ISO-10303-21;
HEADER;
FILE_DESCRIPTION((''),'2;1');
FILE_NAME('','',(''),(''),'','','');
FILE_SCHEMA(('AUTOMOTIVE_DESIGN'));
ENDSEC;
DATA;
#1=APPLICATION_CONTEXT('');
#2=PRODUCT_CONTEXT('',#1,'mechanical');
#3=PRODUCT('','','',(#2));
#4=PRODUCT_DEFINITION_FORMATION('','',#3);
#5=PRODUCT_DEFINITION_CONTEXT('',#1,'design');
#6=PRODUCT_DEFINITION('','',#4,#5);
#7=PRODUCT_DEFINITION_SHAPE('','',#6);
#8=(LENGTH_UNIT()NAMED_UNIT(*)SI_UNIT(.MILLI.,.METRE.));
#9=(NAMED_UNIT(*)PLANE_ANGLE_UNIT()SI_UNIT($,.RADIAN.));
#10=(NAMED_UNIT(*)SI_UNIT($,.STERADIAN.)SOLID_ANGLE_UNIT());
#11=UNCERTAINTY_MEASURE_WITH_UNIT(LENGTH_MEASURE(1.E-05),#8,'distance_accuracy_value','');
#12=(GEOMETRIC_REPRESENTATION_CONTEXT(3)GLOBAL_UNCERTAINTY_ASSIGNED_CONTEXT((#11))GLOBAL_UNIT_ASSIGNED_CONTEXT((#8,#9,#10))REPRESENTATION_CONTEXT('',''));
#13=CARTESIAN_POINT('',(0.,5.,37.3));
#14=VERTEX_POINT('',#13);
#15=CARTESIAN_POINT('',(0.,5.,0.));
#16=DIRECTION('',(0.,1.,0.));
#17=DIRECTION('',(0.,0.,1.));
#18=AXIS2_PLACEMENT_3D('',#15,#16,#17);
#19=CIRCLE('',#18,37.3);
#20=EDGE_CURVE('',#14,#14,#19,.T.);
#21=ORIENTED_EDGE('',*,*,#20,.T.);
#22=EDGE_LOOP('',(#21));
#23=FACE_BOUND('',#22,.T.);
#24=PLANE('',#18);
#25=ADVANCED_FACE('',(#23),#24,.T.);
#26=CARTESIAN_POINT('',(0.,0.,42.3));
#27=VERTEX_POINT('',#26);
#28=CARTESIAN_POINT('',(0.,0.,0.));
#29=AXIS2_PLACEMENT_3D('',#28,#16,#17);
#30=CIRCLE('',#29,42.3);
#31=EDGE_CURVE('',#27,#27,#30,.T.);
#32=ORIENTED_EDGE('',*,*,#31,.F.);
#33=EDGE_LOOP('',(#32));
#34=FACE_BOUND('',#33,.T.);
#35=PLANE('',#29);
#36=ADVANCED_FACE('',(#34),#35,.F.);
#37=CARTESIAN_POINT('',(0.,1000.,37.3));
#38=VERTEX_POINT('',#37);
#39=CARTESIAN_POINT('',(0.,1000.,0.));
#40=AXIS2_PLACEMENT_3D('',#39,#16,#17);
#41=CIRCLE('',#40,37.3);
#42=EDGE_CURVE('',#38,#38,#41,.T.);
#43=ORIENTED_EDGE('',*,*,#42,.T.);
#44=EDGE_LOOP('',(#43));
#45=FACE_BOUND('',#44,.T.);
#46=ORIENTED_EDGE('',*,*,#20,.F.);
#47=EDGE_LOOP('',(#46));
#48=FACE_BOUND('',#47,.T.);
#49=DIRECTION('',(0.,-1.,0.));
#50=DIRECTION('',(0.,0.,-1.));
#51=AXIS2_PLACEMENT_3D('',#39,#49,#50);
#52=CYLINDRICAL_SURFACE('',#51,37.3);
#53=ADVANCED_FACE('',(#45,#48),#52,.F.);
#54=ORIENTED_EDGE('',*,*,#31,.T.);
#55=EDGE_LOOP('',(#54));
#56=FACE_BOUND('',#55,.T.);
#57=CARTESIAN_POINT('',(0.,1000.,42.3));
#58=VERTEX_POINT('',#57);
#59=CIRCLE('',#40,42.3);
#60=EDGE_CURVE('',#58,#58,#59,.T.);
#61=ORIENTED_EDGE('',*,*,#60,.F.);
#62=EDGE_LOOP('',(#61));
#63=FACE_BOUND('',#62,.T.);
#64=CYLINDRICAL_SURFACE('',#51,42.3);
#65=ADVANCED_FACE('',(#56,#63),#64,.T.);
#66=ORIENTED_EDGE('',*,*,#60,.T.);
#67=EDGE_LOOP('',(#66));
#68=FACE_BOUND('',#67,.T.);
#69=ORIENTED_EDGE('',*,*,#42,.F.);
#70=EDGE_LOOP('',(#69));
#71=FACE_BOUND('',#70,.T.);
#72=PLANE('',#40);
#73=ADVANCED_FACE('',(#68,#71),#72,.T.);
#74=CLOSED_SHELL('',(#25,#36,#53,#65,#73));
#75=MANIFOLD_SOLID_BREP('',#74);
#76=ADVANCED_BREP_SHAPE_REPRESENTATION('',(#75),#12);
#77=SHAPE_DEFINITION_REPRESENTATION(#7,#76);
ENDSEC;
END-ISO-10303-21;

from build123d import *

# Parameters (mm, degrees)
SKETCH1_R           = 42.3
BOSS_EXTRUDE1_DEPTH = 1000
SHELL1_T            = -5


with BuildPart() as part:
    # Sketch1 → Boss-Extrude1 (new body)
    with BuildSketch(Plane(origin=(0, 0, 0), x_dir=(1, 0, 0), z_dir=(0, 1, 0))):
        with Locations(Location((0, 0, 0), (0, 0, 270))):
            Circle(SKETCH1_R)
    extrude(amount=BOSS_EXTRUDE1_DEPTH)

    # Shell1
    shell1_openings = [part.faces().sort_by_distance(p)[0] for p in [
        (0, 1000, 0),
    ]]
    offset(amount=SHELL1_T, openings=shell1_openings, kind=Kind.INTERSECTION)


solid = part.part
